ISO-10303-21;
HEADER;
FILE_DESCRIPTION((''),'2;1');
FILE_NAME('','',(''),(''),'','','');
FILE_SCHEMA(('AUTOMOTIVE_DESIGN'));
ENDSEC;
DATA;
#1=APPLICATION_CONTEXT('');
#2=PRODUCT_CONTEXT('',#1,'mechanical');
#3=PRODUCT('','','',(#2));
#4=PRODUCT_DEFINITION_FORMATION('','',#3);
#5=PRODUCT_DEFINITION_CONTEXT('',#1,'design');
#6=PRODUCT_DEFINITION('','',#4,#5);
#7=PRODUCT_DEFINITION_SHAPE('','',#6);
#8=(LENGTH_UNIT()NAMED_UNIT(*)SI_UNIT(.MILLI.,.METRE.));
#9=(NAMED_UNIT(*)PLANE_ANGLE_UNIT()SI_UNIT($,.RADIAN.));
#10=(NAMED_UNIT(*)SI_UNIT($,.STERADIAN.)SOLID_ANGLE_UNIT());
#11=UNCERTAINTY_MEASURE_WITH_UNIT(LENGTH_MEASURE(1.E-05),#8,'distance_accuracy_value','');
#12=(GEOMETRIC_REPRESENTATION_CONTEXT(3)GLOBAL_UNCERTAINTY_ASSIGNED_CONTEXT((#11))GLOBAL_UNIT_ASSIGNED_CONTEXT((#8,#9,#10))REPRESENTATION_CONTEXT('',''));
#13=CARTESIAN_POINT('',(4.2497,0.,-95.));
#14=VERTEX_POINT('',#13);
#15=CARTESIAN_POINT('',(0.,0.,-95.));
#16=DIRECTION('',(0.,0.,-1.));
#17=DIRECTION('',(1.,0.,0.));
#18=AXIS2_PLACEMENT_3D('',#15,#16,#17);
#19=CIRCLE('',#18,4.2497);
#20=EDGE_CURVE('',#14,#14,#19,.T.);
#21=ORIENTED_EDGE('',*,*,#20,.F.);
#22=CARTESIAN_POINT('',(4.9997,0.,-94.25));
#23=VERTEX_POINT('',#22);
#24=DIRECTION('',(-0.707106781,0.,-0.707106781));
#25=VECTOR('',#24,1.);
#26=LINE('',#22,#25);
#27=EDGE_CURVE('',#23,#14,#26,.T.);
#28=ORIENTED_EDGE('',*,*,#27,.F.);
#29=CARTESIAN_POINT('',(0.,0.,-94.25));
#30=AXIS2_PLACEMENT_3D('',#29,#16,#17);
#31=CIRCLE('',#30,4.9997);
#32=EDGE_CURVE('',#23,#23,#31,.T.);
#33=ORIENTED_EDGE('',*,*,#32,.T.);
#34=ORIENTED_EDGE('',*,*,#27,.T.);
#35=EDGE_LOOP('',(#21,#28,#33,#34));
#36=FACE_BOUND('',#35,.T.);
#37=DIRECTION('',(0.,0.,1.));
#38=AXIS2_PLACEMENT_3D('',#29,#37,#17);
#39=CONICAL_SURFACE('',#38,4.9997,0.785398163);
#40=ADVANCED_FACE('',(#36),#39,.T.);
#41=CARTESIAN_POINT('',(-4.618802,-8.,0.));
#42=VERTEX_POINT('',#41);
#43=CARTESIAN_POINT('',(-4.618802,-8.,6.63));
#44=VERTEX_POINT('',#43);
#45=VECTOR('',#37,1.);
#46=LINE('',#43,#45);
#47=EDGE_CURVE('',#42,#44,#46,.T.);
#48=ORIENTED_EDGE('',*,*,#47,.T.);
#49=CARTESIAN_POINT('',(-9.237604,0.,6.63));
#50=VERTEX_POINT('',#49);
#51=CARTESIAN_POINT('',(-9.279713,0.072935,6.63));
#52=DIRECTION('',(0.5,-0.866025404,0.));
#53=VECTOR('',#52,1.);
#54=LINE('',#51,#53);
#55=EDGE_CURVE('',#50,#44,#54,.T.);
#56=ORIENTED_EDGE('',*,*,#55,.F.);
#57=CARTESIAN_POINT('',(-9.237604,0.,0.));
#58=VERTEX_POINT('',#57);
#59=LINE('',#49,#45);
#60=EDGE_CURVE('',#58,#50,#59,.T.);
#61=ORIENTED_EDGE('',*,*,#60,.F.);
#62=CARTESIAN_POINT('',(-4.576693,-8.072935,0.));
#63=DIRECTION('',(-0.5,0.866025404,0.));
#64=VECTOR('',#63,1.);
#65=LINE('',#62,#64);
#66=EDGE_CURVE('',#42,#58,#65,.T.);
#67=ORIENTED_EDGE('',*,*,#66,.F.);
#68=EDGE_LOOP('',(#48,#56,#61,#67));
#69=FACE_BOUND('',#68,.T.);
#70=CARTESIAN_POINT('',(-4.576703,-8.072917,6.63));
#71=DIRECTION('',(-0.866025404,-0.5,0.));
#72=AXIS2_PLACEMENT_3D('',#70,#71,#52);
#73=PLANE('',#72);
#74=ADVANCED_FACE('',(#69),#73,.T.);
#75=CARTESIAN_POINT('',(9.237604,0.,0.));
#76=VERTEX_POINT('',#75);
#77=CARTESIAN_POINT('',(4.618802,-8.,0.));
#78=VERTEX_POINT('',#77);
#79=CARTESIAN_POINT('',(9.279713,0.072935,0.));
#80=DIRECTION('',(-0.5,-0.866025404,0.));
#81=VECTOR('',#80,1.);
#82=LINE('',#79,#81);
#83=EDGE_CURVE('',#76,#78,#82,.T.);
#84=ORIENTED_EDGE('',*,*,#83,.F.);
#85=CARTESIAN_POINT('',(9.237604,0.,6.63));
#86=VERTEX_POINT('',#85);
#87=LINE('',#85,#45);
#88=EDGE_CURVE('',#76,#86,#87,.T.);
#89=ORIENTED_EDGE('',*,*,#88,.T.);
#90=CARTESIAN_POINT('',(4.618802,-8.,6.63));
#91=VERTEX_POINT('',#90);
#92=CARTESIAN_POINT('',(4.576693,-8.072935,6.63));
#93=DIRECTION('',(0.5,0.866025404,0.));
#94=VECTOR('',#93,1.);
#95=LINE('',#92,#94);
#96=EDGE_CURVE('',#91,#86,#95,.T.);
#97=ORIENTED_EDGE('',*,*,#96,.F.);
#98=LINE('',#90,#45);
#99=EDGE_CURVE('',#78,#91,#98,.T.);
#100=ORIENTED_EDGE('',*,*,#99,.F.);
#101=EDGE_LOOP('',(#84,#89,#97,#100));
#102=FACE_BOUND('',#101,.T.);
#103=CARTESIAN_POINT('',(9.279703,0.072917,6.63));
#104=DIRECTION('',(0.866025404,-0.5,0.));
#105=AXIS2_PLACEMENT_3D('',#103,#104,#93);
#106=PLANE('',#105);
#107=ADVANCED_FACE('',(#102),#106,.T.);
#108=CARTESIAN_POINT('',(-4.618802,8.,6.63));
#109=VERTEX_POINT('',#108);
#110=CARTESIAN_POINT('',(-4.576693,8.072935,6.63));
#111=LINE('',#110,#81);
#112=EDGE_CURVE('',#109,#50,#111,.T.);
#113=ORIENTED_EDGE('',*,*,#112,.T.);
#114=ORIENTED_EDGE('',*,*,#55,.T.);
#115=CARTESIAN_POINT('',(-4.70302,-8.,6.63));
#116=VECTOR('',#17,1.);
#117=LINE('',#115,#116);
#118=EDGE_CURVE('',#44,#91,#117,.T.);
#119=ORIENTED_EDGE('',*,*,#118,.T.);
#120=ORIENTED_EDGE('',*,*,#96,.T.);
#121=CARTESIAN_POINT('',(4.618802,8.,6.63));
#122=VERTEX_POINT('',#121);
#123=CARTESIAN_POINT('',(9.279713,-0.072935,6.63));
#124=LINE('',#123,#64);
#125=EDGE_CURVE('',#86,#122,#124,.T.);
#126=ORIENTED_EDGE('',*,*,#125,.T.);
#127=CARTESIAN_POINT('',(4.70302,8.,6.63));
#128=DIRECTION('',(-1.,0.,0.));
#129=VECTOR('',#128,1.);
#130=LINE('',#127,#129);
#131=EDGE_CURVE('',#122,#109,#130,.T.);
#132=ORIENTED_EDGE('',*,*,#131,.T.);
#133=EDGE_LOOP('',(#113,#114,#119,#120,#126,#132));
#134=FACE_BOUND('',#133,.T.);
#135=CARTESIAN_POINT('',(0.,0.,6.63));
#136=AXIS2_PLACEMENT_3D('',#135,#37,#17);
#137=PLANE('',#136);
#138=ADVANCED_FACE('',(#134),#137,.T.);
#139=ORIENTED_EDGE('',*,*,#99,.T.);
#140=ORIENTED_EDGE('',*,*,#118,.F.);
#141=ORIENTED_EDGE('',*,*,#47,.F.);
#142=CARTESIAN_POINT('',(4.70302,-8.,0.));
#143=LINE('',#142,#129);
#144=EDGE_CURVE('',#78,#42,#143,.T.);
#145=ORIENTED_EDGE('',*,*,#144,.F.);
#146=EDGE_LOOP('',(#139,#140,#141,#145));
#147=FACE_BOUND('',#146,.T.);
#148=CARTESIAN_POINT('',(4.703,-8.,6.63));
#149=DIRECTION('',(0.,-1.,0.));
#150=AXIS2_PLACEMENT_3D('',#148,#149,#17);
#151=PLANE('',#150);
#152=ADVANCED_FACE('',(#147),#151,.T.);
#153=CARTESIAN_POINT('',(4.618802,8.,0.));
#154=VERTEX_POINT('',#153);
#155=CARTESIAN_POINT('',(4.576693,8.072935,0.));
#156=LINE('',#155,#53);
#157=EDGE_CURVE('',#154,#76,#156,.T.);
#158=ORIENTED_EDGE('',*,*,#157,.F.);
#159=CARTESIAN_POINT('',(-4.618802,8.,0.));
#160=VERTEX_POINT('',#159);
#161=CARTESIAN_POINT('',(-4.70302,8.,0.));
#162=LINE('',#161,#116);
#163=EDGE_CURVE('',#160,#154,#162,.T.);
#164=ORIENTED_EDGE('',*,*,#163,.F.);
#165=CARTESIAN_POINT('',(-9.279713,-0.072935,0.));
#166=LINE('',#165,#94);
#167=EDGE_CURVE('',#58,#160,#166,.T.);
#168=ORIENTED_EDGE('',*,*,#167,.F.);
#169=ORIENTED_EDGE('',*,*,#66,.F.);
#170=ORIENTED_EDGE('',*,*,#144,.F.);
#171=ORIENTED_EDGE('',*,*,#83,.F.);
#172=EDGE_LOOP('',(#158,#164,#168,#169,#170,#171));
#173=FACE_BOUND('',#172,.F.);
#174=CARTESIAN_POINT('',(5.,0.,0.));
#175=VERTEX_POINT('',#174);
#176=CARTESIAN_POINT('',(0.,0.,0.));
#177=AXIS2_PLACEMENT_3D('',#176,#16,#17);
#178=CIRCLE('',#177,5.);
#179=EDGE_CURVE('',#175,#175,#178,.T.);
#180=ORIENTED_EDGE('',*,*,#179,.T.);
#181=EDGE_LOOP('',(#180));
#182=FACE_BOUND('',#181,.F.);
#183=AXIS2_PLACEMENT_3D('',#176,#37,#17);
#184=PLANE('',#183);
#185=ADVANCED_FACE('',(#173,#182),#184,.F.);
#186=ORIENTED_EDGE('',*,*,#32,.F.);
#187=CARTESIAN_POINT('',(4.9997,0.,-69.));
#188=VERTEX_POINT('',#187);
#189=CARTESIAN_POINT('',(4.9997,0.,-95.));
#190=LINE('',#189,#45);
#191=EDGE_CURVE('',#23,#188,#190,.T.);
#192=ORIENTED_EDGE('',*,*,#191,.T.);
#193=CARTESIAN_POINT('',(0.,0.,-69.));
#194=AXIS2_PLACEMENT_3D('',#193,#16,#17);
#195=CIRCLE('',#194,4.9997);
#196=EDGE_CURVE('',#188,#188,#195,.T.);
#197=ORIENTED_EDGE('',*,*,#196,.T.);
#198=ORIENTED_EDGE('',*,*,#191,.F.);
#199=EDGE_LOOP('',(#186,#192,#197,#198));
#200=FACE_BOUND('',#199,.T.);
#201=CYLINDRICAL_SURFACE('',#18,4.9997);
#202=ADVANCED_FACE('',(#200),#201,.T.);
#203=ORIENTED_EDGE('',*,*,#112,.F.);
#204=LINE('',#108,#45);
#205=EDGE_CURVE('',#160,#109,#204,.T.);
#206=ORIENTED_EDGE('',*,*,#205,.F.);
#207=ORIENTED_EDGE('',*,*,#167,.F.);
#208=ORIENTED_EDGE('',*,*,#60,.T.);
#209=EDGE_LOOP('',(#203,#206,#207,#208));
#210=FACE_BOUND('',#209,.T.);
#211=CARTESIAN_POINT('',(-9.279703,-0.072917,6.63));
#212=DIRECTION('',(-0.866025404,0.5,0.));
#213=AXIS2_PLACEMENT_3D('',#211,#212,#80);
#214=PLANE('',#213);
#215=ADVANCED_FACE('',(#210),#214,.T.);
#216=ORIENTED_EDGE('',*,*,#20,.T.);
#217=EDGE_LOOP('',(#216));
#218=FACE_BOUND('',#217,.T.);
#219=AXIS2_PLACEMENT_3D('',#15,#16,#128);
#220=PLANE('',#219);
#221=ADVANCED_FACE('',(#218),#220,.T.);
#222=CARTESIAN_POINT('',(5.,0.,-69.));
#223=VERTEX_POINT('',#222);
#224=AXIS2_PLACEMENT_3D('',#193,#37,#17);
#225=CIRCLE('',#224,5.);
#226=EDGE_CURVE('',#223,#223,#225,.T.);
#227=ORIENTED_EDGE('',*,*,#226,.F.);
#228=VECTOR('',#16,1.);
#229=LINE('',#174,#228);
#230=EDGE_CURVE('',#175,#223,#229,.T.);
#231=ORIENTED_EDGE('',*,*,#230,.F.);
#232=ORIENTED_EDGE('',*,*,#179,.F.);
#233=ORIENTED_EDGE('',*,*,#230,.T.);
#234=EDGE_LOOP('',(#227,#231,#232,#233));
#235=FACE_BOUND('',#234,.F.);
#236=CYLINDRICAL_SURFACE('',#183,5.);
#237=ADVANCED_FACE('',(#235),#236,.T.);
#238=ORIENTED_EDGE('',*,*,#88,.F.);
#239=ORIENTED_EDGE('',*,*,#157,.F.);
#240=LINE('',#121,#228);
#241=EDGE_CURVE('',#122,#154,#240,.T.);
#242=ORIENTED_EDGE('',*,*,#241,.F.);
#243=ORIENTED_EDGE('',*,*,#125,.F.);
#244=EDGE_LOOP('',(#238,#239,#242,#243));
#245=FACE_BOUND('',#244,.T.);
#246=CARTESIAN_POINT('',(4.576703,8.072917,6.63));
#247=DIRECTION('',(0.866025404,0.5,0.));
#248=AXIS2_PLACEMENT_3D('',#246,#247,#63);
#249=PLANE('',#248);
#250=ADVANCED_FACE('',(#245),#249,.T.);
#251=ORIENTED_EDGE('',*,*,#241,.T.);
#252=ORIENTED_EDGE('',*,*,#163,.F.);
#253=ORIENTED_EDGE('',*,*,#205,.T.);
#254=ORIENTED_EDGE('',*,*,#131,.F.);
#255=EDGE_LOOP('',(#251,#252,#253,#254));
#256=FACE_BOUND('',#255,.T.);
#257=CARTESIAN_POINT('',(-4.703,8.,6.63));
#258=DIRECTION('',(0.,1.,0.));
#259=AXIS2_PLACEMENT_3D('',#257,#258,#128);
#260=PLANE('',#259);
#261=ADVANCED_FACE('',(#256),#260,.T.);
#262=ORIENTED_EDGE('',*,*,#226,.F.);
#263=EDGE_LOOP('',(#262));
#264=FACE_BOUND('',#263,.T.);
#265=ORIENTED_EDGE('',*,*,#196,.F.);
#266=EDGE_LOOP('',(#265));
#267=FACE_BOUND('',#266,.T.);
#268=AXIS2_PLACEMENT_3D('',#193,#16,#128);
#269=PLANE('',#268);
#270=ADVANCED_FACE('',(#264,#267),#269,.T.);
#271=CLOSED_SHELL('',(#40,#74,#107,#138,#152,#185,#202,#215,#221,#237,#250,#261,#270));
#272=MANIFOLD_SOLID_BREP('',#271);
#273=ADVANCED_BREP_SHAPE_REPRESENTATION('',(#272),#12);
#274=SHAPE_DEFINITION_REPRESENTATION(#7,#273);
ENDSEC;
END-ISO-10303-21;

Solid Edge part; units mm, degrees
sketch "Sketch1" plane through (0, 0, 0) normal (0, 0, 1) x (1, 0, 0)
  circle A0 centre (0, 0) radius 9.28
  dimension "D1" = 18.56
extrude "Protrusion1" add sketch "Sketch1" along normal blind 6.63
sketch "Sketch2" plane through (0, 0, 0) normal (0, 0, -1) x (1, 0, 0)
  circle A0 centre (0, 0) radius 5
extrude "Protrusion2" add sketch "Sketch2" along normal blind 95
sketch "Sketch3" plane through (0, 0, -95) normal (0, 0, -1) x (1, 0, 0)
  circle A0 centre (0, 0) radius 4.9997
extrude "Cutout1" cut sketch "Sketch3" against normal blind 26 flip side to cut
chamfer "Chamfer_1" distance 0.75 angle 45 1 edges at (-4.9997, 0, -95)
sketch "Sketch4" plane through (0, 0, 6.63) normal (0, 0, 1) x (1, 0, 0)
  line L0 (-4.703, 8) -> (4.703, 8)
  dimension "D1" = 16
extrude "Cutout2" cut sketch "Sketch4" against normal up to next material side at (0, 8.05, 6.63)
pattern_circular "Pattern1" count 6 over 360 about axis through (0, 0, 6.63) along (0, 0, 1) of "Cutout2"
properties part number "185550" material "Stainless Steel, 304"
